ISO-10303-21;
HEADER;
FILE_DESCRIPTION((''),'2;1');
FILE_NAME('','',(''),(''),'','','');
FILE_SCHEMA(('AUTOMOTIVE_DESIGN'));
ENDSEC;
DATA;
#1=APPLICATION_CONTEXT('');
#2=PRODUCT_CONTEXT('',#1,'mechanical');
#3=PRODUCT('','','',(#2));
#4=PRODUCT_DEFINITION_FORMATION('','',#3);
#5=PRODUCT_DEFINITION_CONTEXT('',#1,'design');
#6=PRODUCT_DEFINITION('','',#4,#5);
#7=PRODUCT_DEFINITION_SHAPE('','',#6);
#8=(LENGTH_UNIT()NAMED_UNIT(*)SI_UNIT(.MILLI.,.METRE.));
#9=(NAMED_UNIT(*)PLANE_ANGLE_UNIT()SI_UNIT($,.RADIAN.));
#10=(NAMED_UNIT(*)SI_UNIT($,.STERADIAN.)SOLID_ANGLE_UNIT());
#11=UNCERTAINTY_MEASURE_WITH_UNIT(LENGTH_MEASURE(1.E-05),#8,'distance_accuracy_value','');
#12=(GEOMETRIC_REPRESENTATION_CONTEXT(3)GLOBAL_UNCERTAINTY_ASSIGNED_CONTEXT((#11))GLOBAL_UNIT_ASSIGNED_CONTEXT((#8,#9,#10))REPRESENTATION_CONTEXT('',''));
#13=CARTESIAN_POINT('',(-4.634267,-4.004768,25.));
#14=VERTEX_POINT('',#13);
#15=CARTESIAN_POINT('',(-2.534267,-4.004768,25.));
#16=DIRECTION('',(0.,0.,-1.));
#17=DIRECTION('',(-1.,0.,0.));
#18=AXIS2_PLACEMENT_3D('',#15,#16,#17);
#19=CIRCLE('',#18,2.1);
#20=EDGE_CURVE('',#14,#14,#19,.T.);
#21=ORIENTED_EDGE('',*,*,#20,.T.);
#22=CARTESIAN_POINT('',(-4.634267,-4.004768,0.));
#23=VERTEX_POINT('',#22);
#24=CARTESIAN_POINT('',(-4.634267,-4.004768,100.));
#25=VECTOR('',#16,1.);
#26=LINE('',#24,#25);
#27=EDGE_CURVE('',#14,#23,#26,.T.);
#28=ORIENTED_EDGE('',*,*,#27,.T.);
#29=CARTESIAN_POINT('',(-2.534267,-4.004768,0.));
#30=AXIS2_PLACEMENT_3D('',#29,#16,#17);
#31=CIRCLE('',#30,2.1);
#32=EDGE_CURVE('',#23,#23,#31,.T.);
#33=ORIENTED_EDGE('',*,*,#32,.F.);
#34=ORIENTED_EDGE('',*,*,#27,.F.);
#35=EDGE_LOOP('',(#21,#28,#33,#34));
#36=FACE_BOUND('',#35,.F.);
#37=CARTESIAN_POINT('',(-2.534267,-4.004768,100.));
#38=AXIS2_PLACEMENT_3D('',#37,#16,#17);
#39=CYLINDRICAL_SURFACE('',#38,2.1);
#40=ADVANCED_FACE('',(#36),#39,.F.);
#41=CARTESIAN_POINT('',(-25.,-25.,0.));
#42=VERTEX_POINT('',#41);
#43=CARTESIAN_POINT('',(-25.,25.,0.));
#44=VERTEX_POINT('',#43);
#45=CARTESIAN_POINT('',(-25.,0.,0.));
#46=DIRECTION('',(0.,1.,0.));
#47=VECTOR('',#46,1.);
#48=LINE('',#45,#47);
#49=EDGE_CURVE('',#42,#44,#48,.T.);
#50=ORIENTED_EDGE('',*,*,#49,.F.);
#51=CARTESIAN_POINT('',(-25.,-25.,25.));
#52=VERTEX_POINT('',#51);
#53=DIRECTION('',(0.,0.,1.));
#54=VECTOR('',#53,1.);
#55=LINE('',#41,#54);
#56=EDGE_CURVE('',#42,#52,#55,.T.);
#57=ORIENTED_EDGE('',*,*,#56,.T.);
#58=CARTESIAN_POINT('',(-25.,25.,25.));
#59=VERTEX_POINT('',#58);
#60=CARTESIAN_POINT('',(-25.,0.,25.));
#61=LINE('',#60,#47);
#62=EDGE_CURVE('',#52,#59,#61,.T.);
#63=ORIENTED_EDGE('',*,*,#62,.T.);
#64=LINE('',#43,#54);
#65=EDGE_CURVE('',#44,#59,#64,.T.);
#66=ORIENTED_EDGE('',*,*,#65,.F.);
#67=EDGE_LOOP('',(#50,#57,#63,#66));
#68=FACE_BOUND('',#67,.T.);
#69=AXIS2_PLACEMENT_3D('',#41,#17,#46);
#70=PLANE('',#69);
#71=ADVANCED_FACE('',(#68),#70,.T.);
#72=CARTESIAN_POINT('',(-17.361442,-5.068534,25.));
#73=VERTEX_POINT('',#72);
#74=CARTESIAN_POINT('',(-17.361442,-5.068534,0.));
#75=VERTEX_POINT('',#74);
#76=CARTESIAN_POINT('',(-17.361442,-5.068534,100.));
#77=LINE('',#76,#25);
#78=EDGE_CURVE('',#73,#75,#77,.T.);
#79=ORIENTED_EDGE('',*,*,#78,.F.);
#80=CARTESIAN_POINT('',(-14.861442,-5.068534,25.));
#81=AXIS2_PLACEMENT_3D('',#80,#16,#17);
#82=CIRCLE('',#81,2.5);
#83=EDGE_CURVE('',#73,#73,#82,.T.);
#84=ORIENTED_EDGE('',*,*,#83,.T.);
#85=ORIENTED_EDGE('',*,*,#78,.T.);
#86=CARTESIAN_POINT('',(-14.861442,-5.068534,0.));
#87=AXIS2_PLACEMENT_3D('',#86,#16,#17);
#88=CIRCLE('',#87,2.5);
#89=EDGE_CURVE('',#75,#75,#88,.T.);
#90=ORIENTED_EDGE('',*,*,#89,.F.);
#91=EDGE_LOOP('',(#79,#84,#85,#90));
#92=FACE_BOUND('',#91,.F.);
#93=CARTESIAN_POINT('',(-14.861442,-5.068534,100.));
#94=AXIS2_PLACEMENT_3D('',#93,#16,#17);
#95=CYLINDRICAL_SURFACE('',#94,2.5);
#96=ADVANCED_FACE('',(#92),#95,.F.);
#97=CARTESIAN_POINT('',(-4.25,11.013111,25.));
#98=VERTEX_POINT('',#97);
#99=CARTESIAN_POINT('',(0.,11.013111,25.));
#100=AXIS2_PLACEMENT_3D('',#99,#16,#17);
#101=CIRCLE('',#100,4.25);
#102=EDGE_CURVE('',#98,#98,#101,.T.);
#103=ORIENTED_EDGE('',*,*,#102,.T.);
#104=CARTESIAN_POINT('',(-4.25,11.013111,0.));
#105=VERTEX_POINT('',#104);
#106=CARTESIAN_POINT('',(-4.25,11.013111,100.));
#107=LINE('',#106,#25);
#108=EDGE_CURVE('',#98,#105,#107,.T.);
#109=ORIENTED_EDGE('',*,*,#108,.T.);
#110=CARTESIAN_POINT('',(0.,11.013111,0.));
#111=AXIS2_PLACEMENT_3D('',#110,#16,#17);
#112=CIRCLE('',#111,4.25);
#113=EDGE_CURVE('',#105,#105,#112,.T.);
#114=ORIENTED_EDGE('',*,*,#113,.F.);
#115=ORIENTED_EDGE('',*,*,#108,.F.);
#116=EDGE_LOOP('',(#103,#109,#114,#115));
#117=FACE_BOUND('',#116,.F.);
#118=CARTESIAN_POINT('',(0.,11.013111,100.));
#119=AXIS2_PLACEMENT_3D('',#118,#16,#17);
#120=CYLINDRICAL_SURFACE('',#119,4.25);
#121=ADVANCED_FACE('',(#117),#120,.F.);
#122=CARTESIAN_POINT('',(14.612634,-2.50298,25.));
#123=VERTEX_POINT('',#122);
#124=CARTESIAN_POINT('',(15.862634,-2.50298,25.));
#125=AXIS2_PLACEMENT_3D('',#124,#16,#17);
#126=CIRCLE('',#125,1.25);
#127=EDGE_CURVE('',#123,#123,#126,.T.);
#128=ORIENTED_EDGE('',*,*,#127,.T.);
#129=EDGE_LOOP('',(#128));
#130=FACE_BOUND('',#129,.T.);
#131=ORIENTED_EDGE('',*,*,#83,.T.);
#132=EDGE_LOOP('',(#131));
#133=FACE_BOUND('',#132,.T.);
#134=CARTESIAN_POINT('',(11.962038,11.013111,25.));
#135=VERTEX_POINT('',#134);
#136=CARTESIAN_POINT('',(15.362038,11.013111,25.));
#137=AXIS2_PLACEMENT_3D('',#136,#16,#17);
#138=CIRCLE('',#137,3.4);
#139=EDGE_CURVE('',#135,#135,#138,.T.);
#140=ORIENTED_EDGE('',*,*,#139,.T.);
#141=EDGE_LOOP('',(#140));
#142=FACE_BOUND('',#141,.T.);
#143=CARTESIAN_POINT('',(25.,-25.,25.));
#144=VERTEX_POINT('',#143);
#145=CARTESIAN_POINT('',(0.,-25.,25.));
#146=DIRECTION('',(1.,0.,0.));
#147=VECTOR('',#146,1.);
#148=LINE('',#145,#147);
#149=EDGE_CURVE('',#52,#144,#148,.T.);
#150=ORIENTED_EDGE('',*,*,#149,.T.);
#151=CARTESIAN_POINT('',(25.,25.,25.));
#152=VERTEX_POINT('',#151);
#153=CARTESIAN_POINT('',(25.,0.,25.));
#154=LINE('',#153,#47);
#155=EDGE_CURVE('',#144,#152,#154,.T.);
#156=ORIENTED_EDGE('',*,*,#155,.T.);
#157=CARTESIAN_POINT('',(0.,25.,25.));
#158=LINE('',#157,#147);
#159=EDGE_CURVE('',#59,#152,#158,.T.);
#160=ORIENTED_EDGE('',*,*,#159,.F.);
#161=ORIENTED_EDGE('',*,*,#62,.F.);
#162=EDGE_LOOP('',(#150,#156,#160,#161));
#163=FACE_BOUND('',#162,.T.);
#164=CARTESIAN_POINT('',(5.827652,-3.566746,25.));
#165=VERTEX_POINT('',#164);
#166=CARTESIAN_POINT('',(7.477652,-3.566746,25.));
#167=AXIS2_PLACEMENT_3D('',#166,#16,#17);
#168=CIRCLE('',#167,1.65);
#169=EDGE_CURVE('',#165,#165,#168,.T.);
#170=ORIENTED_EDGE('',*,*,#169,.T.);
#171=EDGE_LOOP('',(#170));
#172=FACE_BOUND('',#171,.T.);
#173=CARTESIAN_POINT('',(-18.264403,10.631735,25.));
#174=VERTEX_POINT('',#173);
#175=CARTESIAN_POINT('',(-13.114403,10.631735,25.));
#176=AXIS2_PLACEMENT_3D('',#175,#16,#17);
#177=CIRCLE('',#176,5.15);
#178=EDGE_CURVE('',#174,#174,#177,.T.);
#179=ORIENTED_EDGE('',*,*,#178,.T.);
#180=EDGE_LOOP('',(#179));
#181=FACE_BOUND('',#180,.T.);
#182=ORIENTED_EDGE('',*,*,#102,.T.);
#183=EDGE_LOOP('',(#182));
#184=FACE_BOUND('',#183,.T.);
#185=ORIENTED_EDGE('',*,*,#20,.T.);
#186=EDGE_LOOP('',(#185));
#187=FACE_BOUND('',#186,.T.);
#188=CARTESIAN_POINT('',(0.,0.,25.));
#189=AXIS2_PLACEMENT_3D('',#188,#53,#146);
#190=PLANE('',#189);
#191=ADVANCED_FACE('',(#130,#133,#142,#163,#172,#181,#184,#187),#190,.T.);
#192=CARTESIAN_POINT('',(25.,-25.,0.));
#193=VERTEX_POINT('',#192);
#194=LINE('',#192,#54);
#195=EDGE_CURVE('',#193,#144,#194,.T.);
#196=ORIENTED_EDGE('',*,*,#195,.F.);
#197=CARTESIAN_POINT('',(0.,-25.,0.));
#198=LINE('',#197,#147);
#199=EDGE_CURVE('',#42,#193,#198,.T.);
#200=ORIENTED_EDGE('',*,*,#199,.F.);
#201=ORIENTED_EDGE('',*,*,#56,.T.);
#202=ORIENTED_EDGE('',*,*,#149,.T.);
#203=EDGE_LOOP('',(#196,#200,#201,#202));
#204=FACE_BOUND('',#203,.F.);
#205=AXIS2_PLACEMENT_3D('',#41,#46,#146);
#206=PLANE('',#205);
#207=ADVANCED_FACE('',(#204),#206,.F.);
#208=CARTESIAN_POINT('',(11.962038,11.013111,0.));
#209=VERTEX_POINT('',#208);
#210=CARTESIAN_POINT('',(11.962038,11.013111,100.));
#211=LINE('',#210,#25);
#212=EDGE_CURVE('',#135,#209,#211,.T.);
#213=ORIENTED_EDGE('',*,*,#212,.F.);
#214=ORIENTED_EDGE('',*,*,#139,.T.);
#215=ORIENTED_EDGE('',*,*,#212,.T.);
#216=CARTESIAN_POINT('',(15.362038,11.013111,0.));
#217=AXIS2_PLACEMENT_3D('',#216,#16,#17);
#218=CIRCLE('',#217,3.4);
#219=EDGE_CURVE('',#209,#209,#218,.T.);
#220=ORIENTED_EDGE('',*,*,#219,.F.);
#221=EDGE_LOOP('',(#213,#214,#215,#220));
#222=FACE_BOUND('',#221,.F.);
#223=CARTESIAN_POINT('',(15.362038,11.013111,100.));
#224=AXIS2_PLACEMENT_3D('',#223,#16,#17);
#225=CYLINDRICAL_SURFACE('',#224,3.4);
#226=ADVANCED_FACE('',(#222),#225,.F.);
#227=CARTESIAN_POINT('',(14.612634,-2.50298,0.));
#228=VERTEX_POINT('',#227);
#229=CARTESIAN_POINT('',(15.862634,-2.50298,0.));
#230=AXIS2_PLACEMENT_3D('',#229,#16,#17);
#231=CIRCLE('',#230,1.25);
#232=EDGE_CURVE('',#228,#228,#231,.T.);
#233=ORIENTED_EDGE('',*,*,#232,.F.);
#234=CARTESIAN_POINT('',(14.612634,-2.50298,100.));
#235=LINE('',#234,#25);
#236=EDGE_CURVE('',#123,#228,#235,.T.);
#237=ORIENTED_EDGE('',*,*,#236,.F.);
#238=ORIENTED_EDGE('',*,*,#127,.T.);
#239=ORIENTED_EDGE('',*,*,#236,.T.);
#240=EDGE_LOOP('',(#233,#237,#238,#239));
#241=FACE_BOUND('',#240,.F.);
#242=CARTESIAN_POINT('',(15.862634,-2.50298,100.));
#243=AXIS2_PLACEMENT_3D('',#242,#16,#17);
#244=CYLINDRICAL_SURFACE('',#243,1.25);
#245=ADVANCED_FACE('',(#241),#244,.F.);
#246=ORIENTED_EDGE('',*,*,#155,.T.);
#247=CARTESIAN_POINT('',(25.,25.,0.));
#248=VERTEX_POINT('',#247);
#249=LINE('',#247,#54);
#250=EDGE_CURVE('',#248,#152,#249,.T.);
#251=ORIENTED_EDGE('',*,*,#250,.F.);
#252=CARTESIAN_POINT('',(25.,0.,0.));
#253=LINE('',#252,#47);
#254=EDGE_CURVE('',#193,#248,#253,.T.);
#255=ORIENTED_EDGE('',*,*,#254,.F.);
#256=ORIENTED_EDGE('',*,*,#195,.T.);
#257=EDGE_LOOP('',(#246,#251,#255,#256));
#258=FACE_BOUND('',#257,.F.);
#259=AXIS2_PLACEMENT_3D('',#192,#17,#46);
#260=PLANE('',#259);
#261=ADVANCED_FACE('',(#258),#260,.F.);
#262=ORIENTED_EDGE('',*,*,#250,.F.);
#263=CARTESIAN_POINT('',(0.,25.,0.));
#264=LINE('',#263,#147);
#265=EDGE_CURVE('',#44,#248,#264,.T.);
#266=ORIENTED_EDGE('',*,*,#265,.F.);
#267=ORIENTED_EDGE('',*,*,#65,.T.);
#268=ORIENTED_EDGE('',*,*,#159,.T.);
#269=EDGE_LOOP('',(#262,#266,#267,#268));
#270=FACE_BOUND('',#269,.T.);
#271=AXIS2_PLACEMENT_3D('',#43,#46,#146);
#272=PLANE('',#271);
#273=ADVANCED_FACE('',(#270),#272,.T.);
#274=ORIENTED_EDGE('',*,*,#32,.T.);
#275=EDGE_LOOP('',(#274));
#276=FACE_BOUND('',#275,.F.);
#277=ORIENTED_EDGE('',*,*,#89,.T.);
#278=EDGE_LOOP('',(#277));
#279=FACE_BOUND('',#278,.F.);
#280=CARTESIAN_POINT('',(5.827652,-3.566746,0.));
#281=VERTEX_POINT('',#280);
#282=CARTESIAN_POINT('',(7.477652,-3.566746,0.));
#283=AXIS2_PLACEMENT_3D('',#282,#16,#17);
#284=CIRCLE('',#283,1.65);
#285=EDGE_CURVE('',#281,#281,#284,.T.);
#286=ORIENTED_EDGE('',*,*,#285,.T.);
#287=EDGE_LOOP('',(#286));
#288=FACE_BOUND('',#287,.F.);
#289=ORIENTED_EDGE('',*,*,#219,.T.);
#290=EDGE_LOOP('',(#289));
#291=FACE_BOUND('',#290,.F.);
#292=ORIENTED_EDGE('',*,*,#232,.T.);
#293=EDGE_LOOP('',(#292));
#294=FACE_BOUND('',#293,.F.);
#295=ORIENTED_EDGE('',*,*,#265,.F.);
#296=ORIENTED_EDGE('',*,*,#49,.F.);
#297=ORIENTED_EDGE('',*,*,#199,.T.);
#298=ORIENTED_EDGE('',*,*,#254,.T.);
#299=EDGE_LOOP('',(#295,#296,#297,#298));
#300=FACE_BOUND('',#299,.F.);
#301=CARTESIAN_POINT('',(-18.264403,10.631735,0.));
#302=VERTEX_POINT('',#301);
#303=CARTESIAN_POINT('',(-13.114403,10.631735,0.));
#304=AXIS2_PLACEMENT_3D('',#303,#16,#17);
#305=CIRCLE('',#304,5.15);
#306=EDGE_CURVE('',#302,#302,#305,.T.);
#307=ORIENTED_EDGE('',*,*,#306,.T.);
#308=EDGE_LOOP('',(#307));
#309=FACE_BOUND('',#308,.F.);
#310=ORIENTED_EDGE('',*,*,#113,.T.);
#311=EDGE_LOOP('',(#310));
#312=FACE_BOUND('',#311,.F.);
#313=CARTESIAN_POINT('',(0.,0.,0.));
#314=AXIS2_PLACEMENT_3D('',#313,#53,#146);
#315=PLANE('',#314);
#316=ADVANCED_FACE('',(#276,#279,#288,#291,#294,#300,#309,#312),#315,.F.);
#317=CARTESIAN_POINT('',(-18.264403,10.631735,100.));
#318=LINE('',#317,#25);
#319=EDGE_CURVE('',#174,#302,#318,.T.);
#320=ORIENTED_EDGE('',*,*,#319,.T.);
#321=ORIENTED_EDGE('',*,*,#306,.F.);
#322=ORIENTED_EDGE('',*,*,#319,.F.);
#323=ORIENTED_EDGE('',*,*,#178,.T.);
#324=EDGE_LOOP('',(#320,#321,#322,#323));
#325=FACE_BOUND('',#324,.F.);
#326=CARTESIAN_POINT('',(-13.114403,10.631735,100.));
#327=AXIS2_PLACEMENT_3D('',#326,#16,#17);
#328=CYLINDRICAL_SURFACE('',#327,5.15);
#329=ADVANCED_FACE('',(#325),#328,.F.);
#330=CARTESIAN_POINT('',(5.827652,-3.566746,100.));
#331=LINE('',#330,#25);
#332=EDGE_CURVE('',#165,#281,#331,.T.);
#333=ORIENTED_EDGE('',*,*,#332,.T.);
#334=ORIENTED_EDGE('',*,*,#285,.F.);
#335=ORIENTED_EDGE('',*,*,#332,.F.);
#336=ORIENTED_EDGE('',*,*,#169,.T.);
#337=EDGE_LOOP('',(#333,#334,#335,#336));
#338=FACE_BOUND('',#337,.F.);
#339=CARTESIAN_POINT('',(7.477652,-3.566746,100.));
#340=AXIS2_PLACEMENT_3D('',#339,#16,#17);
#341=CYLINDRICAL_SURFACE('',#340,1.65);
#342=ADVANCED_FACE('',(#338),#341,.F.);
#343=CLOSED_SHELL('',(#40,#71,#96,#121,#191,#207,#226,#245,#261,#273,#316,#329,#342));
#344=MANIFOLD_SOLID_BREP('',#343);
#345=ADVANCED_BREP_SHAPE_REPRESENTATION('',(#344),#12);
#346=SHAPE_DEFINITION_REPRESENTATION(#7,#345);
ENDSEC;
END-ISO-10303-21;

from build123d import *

# Parameters (mm, degrees)
F0_W     = 50
F0_H     = 50
F1_DEPTH = 25
F3_D     = 10.3
F4_D     = 8.5
F5_D     = 6.8
F6_D     = 5
F7_D     = 4.2
F8_D     = 3.3
F9_D     = 2.5


with BuildPart() as f1:
    # F0 (on Top) → F1 (new body)
    with BuildSketch(Plane.XY):
        Rectangle(F0_W, F0_H)
    extrude(amount=F1_DEPTH)

    # F3 (through all)
    with Locations(Plane.XY.offset(25)):
        with Locations((-13.114403002, 10.6317354366)):
            Hole(F3_D / 2)

    # F4 (through all)
    with Locations(Plane.XY.offset(25)):
        with Locations((0, 11.0131110996)):
            Hole(F4_D / 2)

    # F5 (through all)
    with Locations(Plane.XY.offset(25)):
        with Locations((15.3620382771, 11.0131110996)):
            Hole(F5_D / 2)

    # F6 (through all)
    with Locations(Plane.XY.offset(25)):
        with Locations((-14.8614421487, -5.0685340539)):
            Hole(F6_D / 2)

    # F7 (through all)
    with Locations(Plane.XY.offset(25)):
        with Locations((-2.5342670269, -4.0047676302)):
            Hole(F7_D / 2)

    # F8 (through all)
    with Locations(Plane.XY.offset(25)):
        with Locations((7.4776518159, -3.5667461343)):
            Hole(F8_D / 2)

    # F9 (through all)
    with Locations(Plane.XY.offset(25)):
        with Locations((15.8626344055, -2.5029797107)):
            Hole(F9_D / 2)


solid = f1.part
